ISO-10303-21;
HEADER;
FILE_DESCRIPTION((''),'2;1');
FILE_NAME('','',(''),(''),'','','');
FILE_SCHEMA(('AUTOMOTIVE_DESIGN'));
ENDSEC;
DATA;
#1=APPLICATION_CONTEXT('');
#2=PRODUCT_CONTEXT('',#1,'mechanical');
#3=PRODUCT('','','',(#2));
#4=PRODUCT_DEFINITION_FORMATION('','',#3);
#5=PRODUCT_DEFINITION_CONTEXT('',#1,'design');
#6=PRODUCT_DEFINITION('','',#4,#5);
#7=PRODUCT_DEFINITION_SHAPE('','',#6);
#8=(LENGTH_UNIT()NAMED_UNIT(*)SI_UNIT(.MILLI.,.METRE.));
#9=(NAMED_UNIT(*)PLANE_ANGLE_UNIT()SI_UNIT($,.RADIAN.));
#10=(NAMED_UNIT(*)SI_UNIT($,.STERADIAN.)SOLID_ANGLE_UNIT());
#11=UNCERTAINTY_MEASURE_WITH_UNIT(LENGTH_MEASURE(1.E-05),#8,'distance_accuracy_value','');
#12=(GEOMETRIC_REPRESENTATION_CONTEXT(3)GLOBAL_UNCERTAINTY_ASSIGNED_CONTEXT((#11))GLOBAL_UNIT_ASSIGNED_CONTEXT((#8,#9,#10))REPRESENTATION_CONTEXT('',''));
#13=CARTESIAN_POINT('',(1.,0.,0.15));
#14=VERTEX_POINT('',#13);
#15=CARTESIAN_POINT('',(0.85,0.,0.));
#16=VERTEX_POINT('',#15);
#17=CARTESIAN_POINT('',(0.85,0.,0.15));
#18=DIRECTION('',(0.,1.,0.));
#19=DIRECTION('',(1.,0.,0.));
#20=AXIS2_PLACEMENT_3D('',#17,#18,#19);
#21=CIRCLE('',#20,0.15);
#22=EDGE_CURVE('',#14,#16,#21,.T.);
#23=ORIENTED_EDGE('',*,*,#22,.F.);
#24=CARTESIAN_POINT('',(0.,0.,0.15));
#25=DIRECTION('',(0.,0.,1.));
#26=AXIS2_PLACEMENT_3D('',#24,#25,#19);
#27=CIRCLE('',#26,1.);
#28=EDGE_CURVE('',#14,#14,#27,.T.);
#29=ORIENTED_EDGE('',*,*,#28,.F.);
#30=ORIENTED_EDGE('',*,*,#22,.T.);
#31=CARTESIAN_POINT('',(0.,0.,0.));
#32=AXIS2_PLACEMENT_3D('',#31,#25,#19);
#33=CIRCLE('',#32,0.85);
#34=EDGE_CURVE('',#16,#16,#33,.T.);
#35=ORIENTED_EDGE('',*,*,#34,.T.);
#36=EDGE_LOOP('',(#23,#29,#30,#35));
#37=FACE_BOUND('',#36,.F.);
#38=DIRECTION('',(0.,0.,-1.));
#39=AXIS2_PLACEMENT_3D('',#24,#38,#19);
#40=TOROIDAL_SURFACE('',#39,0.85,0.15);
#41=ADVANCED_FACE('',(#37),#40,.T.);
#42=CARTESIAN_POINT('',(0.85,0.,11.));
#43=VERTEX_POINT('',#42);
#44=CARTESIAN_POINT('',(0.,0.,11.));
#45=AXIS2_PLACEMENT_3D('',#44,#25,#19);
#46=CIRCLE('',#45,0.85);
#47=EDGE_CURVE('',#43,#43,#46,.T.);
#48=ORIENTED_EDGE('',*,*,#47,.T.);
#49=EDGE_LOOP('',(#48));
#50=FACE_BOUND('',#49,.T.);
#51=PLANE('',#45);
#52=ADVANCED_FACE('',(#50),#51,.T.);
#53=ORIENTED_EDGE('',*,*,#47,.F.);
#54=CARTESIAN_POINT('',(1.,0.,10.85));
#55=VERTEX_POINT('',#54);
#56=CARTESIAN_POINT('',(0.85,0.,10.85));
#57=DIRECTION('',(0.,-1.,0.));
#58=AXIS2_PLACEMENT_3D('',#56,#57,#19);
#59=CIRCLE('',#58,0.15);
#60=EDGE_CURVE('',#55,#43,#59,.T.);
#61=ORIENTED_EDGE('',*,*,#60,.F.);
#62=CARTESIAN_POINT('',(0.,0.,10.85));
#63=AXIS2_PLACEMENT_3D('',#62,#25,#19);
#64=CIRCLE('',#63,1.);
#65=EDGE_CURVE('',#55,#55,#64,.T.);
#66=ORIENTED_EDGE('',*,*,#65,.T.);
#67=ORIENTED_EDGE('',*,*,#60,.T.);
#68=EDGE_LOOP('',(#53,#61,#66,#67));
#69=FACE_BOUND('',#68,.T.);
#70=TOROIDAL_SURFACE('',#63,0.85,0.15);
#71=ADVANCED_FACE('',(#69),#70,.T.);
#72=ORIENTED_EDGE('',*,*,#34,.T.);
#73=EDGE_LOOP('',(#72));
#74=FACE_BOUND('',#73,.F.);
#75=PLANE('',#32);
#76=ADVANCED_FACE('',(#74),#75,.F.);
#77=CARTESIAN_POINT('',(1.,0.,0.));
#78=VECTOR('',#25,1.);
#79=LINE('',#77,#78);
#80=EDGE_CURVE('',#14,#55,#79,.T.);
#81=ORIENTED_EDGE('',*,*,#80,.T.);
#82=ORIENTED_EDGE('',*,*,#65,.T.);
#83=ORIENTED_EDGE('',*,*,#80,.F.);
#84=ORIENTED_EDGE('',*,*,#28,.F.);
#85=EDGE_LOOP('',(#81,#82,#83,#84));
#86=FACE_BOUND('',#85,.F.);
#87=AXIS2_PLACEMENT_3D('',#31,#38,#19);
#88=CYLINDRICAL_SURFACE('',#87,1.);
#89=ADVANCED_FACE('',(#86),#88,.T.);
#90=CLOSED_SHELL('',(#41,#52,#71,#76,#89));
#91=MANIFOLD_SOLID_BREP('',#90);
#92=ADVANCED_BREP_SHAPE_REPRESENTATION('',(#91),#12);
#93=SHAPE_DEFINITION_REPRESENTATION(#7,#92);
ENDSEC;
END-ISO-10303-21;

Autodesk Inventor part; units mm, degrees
ref_plane "YZ Plane" through (0, 0, 0) normal (1, 0, 0) x (0, 1, 0)
ref_plane "XZ Plane" through (0, 0, 0) normal (0, 1, 0) x (-1, 0, 0)
ref_plane "XY Plane" through (0, 0, 0) normal (0, 0, 1) x (1, 0, 0)
sketch "Sketch1" plane through (0, 0, 0) normal (0, 0, 1) x (1, 0, 0)
  circle A0 centre (0, 0) radius 1
  dimension "d0" = 2
extrude "Extrusion1" add sketch "Sketch1" along normal blind 11
fillet "Fillet1" radius 0.15 2 edges at (-1, 0, 11) (-1, 0, 0)
properties part number "44"
